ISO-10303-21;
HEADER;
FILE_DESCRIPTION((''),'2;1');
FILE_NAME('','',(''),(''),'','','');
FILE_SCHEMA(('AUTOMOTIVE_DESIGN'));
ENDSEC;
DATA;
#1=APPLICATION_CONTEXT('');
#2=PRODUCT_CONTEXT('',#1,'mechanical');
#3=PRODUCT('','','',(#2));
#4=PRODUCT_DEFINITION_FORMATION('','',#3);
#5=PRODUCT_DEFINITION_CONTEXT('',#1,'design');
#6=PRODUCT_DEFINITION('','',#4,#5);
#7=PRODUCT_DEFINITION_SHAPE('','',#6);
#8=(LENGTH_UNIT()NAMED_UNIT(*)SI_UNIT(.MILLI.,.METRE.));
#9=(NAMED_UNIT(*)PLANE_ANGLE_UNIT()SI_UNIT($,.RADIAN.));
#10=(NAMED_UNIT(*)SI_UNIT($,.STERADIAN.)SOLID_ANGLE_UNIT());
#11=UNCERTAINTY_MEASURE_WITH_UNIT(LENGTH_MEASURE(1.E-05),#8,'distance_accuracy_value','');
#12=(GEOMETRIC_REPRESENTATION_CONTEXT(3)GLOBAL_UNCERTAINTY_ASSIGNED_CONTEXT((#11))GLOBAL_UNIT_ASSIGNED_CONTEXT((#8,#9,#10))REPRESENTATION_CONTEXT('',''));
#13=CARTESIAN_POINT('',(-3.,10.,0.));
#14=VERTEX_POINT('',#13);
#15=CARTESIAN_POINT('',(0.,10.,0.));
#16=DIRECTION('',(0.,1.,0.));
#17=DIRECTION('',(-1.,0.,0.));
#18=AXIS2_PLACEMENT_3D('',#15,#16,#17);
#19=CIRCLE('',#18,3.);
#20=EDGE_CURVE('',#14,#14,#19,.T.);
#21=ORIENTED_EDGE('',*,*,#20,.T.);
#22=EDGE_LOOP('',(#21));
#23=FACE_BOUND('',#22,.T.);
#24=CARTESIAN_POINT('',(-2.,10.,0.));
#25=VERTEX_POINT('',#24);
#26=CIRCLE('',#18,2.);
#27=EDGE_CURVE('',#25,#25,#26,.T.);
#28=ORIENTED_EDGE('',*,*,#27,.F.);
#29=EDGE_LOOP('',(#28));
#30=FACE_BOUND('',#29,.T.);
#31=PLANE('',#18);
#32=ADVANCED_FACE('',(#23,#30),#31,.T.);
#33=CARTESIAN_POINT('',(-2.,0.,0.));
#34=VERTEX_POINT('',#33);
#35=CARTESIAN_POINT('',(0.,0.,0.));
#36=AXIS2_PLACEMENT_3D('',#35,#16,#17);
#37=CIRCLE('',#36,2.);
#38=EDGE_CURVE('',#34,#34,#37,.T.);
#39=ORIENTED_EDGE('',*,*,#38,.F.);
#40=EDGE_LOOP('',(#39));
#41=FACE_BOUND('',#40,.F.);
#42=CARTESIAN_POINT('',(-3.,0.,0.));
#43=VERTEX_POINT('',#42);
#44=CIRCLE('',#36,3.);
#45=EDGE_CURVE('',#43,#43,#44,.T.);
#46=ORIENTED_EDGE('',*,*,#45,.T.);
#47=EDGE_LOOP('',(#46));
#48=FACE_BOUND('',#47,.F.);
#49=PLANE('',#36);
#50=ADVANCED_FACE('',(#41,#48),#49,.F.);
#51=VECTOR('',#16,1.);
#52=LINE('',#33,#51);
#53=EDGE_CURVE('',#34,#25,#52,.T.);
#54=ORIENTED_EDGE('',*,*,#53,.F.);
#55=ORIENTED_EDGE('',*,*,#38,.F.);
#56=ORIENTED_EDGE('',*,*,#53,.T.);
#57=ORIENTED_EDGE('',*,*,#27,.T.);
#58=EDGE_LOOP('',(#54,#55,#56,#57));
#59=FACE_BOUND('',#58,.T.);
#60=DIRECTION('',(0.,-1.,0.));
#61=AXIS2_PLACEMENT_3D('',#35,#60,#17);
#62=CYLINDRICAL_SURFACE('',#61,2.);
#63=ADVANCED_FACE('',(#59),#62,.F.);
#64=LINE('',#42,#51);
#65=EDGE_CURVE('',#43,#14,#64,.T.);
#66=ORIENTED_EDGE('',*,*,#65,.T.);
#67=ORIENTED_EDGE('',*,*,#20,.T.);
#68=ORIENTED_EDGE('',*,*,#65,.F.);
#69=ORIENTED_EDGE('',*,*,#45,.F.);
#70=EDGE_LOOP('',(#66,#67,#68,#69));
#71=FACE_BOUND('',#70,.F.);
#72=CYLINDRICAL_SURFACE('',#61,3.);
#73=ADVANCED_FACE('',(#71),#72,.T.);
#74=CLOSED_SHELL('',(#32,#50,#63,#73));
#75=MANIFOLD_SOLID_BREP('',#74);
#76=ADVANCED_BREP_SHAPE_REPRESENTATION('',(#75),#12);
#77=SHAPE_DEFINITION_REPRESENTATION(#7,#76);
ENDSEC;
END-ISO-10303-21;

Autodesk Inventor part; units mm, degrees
ref_plane "YZ Plane" through (0, 0, 0) normal (1, 0, 0) x (0, 1, 0)
ref_plane "XZ Plane" through (0, 0, 0) normal (0, 1, 0) x (-1, 0, 0)
ref_plane "XY Plane" through (0, 0, 0) normal (0, 0, 1) x (1, 0, 0)
sketch "Sketch1" plane through (0, 0, 0) normal (0, 1, 0) x (-1, 0, 0)
  circle A0 centre (0, 0) radius 2
  circle A1 centre (0, 0) radius 3
  dimension "d0" = 4
  dimension "d1" = 6
extrude "Extrusion1" add sketch "Sketch1" along normal blind 10
properties part number "M3_10mmSpacer"
